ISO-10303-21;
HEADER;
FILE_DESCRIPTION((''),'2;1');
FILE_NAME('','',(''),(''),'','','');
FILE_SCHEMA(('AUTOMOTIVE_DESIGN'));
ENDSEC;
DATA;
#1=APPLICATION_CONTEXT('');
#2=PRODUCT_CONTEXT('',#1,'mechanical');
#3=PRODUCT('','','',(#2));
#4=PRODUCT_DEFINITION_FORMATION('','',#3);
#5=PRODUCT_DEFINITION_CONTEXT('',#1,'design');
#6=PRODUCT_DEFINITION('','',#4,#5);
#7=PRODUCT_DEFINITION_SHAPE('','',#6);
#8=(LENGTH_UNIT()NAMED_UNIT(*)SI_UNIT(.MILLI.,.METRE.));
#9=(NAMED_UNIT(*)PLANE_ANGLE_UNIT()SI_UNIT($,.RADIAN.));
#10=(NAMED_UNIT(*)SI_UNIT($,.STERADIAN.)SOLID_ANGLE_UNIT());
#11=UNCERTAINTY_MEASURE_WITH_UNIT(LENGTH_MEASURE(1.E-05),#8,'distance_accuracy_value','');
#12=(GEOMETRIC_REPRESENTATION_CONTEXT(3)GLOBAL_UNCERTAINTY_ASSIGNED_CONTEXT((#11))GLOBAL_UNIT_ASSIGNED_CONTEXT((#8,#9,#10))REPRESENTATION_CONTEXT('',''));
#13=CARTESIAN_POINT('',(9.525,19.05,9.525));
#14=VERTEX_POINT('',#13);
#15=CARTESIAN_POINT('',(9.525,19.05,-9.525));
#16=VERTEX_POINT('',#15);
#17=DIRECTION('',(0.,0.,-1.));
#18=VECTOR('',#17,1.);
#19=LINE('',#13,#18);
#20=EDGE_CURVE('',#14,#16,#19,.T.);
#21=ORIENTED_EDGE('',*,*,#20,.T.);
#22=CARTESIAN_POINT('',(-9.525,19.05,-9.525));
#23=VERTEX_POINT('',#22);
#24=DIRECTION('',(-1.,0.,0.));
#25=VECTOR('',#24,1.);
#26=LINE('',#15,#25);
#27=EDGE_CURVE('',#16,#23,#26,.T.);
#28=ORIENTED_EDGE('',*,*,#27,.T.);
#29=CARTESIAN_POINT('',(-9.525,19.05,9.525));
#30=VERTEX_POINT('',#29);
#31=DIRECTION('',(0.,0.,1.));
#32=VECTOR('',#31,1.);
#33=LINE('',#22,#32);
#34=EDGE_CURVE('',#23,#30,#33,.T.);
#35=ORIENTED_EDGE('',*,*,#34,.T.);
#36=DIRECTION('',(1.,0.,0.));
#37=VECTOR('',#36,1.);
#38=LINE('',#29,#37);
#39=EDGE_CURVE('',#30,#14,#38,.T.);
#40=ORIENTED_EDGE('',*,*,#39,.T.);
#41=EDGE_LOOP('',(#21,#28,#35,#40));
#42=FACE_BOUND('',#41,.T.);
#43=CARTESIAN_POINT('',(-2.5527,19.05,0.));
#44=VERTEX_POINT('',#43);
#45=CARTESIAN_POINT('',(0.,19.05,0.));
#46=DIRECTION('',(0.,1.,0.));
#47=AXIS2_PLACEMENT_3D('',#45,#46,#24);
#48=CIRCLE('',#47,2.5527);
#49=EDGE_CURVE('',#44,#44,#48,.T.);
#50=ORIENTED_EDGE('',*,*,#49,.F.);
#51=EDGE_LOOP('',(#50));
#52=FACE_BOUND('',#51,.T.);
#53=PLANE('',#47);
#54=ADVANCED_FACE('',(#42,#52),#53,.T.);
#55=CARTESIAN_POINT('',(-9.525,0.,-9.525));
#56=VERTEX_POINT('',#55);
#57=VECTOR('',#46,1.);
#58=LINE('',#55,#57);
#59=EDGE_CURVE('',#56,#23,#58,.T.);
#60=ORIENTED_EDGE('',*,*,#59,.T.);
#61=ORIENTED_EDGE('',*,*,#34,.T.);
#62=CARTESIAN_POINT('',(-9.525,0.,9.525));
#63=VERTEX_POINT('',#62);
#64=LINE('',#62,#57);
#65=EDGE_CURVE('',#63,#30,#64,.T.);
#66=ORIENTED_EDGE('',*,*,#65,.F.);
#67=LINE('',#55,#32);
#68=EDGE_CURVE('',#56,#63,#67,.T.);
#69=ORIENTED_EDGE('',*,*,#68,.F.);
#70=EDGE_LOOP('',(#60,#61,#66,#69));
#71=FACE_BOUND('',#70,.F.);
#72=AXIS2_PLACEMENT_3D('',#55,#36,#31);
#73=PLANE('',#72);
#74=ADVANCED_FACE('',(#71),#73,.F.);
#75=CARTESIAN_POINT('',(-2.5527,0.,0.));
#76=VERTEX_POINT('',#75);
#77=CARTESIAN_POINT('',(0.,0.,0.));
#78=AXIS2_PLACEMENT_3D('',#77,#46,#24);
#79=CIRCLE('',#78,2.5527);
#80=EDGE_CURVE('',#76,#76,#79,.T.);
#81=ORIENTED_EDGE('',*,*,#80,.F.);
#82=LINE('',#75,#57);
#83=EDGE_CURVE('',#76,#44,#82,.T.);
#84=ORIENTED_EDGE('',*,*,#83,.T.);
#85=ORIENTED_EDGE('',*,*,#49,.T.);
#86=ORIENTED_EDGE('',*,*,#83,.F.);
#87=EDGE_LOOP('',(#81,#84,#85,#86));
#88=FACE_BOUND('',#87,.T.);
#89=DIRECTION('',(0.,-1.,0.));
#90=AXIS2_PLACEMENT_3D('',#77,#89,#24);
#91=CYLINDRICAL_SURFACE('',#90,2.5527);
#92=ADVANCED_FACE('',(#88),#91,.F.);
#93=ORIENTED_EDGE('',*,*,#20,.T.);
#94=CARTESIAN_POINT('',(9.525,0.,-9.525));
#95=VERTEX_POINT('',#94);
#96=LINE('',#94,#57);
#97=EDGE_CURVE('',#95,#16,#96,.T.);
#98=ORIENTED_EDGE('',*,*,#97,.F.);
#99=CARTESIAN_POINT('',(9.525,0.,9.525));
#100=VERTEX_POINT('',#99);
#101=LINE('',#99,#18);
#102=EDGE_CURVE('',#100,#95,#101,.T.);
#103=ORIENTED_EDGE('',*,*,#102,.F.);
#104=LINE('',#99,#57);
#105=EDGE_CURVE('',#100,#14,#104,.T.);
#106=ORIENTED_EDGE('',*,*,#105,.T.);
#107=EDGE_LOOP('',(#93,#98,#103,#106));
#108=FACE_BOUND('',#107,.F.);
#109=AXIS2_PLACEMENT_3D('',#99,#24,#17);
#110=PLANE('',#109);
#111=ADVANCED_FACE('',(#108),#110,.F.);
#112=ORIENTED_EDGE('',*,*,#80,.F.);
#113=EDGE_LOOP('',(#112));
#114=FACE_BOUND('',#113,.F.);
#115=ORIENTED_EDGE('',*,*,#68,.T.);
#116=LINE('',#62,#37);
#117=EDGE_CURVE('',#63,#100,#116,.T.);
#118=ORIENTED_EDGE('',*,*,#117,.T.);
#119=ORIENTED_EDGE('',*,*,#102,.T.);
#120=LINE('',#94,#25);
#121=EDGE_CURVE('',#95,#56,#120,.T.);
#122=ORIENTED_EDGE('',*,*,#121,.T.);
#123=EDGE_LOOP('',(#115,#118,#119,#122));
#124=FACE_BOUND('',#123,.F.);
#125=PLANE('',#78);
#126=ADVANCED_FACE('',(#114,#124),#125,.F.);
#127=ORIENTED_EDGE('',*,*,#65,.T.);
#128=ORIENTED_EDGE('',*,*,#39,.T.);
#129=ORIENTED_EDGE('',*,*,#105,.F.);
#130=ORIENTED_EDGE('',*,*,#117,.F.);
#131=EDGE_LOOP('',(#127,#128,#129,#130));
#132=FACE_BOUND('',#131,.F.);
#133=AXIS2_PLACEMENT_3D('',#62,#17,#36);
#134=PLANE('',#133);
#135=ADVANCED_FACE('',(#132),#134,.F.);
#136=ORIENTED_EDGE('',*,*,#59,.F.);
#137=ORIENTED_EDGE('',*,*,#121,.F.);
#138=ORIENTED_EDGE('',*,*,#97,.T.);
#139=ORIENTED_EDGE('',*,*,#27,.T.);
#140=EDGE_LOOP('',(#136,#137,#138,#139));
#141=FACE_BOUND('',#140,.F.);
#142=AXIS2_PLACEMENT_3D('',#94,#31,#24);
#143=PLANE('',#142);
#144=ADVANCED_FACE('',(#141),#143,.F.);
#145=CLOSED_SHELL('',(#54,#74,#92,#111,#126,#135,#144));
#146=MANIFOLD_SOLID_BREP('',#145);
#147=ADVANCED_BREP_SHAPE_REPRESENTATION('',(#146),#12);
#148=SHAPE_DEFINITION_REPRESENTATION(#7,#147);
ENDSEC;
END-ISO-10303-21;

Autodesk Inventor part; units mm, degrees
ref_plane "YZ Plane" through (0, 0, 0) normal (1, 0, 0) x (0, 1, 0)
ref_plane "XZ Plane" through (0, 0, 0) normal (0, 1, 0) x (-1, 0, 0)
ref_plane "XY Plane" through (0, 0, 0) normal (0, 0, 1) x (1, 0, 0)
sketch "Sketch1" plane through (0, 0, 0) normal (0, 1, 0) x (-1, 0, 0)
  line L0 (-9.525, -9.525) -> (9.525, -9.525)
  line L1 (9.525, -9.525) -> (9.525, 9.525)
  line L2 (9.525, 9.525) -> (-9.525, 9.525)
  line L3 (-9.525, 9.525) -> (-9.525, -9.525)
  line L4 (-9.525, -9.525) -> (9.525, 9.525) construction
  line L5 (9.525, -9.525) -> (-9.525, 9.525) construction
  circle A0 centre (0, 0) radius 2.5527
  dimension "d0" = 19.05
  dimension "d1" = 19.05
  dimension "d2" = 5.1054
extrude "Extrusion1" add sketch "Sketch1" along normal blind 19.05
thread "Thread1" size "1/4-20 UNC" class "2B" standard "ANSI Unified Screw Threads" full length
properties part number "STRU_024_BilletBlock2" material "Aluminum 6061"
